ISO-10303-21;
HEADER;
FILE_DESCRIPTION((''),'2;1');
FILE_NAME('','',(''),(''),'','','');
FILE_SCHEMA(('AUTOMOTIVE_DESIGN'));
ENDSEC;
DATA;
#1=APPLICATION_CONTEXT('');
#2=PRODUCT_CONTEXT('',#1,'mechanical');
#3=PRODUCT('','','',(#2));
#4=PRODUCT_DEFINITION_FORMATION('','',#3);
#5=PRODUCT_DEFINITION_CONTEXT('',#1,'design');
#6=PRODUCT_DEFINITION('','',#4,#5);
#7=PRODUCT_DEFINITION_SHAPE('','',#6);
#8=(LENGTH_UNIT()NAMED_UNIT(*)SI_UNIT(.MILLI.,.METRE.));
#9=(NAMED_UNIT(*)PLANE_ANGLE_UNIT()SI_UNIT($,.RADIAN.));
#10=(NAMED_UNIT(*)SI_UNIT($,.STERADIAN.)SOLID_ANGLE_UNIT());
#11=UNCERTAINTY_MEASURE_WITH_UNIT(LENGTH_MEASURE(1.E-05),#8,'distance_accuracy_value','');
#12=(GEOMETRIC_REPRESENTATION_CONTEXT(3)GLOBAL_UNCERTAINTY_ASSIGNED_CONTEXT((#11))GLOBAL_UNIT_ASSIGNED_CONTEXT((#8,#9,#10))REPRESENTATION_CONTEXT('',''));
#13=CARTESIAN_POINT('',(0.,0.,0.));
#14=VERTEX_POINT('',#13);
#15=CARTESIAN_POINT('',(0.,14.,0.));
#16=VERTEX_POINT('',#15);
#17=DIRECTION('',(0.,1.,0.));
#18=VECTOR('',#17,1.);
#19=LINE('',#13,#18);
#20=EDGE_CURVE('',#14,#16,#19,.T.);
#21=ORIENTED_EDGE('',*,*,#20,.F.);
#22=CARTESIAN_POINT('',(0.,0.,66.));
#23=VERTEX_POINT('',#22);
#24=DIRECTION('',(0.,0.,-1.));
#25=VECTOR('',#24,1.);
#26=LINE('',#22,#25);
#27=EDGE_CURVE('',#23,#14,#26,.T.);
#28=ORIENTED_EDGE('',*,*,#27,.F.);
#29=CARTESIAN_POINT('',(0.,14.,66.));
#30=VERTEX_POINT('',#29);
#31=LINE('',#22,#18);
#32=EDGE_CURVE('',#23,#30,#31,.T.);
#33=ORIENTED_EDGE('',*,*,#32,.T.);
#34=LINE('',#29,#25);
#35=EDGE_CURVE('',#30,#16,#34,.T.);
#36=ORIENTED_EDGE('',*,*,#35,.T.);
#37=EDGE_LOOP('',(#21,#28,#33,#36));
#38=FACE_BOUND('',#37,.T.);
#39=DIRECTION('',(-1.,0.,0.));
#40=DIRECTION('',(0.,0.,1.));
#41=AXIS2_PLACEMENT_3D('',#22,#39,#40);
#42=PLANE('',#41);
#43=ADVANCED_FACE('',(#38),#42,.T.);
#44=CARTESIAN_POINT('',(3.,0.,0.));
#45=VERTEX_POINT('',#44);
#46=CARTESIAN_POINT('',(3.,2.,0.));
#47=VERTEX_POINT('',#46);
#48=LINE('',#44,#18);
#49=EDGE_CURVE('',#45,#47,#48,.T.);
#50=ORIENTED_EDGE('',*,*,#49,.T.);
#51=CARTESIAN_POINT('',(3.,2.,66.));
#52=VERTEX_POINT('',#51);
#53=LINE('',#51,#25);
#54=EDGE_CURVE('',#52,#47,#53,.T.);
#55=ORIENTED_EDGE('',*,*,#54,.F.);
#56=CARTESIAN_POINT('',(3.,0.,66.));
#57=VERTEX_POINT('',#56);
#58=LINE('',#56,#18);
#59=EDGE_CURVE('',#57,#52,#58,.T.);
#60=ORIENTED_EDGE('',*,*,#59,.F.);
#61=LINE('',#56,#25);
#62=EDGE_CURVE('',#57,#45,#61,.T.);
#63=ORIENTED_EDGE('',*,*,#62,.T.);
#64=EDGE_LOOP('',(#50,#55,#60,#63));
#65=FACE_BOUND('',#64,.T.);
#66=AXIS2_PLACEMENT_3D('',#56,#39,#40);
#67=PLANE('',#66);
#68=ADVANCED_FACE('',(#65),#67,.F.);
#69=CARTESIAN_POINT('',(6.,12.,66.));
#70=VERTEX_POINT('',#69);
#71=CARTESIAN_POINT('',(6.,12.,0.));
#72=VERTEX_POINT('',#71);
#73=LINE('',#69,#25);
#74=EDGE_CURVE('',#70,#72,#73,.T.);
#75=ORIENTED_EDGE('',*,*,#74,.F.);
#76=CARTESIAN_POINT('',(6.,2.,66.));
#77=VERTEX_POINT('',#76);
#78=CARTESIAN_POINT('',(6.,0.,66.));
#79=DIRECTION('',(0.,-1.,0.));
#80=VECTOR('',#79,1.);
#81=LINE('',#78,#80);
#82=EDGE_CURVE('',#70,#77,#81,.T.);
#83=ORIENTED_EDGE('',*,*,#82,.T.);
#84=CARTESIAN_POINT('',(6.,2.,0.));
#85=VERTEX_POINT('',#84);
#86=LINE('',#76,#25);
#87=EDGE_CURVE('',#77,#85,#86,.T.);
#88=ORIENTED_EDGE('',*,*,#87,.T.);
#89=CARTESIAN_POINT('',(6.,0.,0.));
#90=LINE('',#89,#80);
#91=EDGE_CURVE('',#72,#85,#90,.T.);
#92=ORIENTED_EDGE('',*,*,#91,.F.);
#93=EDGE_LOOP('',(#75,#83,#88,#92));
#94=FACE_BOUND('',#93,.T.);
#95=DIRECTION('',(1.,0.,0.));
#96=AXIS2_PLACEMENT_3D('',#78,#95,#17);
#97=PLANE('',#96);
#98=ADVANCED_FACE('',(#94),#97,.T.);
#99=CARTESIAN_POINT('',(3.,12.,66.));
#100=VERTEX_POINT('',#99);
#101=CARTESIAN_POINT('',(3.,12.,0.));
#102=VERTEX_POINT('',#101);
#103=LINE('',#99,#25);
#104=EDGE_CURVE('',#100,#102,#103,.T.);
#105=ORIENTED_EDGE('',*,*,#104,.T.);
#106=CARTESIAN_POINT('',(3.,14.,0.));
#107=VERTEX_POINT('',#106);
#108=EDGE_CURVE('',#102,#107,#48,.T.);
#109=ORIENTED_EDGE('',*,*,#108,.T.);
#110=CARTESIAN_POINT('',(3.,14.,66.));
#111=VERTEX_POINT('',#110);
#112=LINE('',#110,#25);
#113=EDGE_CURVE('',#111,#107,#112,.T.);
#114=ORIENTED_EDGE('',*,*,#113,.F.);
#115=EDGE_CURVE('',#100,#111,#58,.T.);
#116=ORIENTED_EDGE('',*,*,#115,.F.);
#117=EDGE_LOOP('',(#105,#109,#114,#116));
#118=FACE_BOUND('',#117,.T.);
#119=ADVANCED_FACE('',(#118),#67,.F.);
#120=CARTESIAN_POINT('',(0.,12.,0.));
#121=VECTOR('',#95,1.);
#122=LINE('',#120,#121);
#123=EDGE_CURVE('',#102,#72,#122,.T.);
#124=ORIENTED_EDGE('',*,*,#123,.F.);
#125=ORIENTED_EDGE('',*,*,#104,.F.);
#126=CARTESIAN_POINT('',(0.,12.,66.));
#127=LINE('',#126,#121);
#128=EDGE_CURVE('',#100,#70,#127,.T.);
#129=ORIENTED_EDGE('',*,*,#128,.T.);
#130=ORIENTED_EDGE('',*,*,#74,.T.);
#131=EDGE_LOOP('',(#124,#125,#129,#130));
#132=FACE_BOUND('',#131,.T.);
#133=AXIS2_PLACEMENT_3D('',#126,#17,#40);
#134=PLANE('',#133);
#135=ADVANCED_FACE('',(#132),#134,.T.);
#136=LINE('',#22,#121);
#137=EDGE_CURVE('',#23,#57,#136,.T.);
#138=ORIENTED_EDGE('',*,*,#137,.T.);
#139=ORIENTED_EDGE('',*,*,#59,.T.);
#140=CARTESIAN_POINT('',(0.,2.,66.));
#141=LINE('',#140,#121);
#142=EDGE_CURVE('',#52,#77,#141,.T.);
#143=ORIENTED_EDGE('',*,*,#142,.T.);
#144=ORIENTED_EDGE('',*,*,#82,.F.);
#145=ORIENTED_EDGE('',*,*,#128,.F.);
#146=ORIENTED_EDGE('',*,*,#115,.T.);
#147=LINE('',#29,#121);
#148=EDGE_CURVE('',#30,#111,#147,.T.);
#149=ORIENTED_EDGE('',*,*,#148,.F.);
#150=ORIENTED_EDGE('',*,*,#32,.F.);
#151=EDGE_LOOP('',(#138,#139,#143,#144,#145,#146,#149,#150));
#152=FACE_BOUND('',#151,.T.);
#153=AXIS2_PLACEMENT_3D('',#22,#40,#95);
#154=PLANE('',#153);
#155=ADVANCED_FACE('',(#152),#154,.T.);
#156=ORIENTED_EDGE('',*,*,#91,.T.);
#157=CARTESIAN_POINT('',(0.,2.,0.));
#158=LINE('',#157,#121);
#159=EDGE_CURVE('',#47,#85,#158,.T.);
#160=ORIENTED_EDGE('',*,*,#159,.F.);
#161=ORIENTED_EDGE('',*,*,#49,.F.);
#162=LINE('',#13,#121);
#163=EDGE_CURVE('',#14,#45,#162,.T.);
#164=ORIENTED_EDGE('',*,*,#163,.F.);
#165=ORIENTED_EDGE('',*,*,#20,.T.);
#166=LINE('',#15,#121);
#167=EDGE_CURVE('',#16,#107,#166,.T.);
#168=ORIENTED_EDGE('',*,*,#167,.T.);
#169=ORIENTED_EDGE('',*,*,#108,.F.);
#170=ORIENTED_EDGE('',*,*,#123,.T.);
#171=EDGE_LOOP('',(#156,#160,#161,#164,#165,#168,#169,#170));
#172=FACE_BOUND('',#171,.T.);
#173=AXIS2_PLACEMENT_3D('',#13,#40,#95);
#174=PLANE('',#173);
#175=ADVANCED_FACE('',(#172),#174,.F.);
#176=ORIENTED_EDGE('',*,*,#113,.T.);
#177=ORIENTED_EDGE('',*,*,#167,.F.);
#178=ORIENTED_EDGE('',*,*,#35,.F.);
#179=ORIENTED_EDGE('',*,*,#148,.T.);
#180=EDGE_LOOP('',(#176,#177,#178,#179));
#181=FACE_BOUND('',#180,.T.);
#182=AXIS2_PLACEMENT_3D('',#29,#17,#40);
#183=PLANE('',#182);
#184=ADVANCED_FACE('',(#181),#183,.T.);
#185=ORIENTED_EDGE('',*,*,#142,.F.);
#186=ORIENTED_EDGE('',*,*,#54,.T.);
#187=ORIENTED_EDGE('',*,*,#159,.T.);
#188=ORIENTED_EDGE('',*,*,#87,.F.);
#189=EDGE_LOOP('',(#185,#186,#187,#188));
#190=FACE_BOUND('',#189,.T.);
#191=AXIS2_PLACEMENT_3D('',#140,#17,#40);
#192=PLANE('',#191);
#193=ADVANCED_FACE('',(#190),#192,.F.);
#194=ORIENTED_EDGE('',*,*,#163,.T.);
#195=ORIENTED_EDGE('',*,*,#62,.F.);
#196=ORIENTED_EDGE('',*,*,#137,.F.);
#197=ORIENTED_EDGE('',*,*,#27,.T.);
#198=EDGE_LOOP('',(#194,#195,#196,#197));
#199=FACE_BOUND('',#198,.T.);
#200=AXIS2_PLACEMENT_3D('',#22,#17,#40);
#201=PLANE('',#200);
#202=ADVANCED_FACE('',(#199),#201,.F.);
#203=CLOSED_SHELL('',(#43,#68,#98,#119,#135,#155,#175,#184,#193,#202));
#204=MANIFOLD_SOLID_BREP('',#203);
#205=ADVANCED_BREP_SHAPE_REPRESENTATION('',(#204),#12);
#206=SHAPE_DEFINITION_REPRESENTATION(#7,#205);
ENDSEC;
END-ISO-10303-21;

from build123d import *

# Parameters (mm, degrees)
SKETCH_1_W      = 3
SKETCH_1_H      = 14
SKETCH_1_H_2    = 10
EXTRUDE_1_DEPTH = 66


with BuildPart() as part:
    # 스케치1 → 보스-돌출1 (new body)
    with BuildSketch(Plane.XY):
        with Locations((1.5, 7)):
            Rectangle(SKETCH_1_W, SKETCH_1_H)
        with Locations((4.5, 7)):
            Rectangle(SKETCH_1_W, SKETCH_1_H_2)
    extrude(amount=EXTRUDE_1_DEPTH)


solid = part.part
